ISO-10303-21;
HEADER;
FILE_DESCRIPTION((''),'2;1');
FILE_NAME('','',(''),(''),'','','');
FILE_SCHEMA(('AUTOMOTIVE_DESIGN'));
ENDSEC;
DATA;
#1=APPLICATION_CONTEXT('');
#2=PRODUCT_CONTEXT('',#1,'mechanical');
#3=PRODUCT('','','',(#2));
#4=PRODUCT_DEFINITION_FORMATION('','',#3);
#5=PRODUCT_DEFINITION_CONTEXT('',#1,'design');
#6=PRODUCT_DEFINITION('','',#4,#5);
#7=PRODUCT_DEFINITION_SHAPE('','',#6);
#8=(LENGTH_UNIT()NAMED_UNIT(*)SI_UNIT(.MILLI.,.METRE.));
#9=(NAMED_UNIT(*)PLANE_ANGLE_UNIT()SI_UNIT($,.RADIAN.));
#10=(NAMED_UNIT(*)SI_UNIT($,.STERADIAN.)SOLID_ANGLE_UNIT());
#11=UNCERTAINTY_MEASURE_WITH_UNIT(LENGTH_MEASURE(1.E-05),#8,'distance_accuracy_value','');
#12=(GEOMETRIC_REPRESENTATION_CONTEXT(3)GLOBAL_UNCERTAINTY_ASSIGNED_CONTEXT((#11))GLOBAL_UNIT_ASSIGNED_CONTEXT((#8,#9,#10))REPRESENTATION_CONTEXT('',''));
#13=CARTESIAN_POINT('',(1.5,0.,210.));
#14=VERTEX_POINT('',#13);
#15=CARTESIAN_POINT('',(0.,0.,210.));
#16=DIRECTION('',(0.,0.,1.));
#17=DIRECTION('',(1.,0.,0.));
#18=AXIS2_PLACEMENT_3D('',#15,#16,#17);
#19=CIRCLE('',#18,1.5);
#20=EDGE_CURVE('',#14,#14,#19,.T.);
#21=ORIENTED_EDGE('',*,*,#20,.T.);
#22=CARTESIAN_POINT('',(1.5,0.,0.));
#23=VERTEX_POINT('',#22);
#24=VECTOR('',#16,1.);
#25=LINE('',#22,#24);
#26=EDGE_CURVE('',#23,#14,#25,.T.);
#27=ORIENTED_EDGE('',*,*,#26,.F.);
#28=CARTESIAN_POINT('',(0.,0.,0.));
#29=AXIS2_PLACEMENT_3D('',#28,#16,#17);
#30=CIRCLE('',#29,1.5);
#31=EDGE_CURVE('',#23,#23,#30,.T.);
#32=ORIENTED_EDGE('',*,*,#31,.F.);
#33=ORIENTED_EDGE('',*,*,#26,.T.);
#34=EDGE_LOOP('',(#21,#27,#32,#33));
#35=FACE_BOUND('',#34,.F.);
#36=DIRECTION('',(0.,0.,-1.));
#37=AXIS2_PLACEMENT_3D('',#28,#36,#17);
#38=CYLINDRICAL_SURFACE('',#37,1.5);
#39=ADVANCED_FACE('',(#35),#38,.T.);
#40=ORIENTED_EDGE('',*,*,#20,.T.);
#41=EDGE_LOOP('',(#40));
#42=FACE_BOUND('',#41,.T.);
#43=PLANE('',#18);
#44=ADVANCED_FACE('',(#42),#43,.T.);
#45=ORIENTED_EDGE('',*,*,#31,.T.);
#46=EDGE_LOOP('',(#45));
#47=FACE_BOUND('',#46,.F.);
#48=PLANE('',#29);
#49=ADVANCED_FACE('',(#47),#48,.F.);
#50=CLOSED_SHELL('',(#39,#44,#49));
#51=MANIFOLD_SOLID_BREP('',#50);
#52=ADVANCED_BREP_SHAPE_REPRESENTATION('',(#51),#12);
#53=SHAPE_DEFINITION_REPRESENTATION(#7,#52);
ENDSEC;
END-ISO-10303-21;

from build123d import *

# Parameters (mm, degrees)
SKETCH_R  = 1.5
PAD_DEPTH = 210


with BuildPart() as part:
    # Sketch → Pad (new body)
    with BuildSketch(Plane.XY):
        Circle(SKETCH_R)
    extrude(amount=PAD_DEPTH)


solid = part.part
